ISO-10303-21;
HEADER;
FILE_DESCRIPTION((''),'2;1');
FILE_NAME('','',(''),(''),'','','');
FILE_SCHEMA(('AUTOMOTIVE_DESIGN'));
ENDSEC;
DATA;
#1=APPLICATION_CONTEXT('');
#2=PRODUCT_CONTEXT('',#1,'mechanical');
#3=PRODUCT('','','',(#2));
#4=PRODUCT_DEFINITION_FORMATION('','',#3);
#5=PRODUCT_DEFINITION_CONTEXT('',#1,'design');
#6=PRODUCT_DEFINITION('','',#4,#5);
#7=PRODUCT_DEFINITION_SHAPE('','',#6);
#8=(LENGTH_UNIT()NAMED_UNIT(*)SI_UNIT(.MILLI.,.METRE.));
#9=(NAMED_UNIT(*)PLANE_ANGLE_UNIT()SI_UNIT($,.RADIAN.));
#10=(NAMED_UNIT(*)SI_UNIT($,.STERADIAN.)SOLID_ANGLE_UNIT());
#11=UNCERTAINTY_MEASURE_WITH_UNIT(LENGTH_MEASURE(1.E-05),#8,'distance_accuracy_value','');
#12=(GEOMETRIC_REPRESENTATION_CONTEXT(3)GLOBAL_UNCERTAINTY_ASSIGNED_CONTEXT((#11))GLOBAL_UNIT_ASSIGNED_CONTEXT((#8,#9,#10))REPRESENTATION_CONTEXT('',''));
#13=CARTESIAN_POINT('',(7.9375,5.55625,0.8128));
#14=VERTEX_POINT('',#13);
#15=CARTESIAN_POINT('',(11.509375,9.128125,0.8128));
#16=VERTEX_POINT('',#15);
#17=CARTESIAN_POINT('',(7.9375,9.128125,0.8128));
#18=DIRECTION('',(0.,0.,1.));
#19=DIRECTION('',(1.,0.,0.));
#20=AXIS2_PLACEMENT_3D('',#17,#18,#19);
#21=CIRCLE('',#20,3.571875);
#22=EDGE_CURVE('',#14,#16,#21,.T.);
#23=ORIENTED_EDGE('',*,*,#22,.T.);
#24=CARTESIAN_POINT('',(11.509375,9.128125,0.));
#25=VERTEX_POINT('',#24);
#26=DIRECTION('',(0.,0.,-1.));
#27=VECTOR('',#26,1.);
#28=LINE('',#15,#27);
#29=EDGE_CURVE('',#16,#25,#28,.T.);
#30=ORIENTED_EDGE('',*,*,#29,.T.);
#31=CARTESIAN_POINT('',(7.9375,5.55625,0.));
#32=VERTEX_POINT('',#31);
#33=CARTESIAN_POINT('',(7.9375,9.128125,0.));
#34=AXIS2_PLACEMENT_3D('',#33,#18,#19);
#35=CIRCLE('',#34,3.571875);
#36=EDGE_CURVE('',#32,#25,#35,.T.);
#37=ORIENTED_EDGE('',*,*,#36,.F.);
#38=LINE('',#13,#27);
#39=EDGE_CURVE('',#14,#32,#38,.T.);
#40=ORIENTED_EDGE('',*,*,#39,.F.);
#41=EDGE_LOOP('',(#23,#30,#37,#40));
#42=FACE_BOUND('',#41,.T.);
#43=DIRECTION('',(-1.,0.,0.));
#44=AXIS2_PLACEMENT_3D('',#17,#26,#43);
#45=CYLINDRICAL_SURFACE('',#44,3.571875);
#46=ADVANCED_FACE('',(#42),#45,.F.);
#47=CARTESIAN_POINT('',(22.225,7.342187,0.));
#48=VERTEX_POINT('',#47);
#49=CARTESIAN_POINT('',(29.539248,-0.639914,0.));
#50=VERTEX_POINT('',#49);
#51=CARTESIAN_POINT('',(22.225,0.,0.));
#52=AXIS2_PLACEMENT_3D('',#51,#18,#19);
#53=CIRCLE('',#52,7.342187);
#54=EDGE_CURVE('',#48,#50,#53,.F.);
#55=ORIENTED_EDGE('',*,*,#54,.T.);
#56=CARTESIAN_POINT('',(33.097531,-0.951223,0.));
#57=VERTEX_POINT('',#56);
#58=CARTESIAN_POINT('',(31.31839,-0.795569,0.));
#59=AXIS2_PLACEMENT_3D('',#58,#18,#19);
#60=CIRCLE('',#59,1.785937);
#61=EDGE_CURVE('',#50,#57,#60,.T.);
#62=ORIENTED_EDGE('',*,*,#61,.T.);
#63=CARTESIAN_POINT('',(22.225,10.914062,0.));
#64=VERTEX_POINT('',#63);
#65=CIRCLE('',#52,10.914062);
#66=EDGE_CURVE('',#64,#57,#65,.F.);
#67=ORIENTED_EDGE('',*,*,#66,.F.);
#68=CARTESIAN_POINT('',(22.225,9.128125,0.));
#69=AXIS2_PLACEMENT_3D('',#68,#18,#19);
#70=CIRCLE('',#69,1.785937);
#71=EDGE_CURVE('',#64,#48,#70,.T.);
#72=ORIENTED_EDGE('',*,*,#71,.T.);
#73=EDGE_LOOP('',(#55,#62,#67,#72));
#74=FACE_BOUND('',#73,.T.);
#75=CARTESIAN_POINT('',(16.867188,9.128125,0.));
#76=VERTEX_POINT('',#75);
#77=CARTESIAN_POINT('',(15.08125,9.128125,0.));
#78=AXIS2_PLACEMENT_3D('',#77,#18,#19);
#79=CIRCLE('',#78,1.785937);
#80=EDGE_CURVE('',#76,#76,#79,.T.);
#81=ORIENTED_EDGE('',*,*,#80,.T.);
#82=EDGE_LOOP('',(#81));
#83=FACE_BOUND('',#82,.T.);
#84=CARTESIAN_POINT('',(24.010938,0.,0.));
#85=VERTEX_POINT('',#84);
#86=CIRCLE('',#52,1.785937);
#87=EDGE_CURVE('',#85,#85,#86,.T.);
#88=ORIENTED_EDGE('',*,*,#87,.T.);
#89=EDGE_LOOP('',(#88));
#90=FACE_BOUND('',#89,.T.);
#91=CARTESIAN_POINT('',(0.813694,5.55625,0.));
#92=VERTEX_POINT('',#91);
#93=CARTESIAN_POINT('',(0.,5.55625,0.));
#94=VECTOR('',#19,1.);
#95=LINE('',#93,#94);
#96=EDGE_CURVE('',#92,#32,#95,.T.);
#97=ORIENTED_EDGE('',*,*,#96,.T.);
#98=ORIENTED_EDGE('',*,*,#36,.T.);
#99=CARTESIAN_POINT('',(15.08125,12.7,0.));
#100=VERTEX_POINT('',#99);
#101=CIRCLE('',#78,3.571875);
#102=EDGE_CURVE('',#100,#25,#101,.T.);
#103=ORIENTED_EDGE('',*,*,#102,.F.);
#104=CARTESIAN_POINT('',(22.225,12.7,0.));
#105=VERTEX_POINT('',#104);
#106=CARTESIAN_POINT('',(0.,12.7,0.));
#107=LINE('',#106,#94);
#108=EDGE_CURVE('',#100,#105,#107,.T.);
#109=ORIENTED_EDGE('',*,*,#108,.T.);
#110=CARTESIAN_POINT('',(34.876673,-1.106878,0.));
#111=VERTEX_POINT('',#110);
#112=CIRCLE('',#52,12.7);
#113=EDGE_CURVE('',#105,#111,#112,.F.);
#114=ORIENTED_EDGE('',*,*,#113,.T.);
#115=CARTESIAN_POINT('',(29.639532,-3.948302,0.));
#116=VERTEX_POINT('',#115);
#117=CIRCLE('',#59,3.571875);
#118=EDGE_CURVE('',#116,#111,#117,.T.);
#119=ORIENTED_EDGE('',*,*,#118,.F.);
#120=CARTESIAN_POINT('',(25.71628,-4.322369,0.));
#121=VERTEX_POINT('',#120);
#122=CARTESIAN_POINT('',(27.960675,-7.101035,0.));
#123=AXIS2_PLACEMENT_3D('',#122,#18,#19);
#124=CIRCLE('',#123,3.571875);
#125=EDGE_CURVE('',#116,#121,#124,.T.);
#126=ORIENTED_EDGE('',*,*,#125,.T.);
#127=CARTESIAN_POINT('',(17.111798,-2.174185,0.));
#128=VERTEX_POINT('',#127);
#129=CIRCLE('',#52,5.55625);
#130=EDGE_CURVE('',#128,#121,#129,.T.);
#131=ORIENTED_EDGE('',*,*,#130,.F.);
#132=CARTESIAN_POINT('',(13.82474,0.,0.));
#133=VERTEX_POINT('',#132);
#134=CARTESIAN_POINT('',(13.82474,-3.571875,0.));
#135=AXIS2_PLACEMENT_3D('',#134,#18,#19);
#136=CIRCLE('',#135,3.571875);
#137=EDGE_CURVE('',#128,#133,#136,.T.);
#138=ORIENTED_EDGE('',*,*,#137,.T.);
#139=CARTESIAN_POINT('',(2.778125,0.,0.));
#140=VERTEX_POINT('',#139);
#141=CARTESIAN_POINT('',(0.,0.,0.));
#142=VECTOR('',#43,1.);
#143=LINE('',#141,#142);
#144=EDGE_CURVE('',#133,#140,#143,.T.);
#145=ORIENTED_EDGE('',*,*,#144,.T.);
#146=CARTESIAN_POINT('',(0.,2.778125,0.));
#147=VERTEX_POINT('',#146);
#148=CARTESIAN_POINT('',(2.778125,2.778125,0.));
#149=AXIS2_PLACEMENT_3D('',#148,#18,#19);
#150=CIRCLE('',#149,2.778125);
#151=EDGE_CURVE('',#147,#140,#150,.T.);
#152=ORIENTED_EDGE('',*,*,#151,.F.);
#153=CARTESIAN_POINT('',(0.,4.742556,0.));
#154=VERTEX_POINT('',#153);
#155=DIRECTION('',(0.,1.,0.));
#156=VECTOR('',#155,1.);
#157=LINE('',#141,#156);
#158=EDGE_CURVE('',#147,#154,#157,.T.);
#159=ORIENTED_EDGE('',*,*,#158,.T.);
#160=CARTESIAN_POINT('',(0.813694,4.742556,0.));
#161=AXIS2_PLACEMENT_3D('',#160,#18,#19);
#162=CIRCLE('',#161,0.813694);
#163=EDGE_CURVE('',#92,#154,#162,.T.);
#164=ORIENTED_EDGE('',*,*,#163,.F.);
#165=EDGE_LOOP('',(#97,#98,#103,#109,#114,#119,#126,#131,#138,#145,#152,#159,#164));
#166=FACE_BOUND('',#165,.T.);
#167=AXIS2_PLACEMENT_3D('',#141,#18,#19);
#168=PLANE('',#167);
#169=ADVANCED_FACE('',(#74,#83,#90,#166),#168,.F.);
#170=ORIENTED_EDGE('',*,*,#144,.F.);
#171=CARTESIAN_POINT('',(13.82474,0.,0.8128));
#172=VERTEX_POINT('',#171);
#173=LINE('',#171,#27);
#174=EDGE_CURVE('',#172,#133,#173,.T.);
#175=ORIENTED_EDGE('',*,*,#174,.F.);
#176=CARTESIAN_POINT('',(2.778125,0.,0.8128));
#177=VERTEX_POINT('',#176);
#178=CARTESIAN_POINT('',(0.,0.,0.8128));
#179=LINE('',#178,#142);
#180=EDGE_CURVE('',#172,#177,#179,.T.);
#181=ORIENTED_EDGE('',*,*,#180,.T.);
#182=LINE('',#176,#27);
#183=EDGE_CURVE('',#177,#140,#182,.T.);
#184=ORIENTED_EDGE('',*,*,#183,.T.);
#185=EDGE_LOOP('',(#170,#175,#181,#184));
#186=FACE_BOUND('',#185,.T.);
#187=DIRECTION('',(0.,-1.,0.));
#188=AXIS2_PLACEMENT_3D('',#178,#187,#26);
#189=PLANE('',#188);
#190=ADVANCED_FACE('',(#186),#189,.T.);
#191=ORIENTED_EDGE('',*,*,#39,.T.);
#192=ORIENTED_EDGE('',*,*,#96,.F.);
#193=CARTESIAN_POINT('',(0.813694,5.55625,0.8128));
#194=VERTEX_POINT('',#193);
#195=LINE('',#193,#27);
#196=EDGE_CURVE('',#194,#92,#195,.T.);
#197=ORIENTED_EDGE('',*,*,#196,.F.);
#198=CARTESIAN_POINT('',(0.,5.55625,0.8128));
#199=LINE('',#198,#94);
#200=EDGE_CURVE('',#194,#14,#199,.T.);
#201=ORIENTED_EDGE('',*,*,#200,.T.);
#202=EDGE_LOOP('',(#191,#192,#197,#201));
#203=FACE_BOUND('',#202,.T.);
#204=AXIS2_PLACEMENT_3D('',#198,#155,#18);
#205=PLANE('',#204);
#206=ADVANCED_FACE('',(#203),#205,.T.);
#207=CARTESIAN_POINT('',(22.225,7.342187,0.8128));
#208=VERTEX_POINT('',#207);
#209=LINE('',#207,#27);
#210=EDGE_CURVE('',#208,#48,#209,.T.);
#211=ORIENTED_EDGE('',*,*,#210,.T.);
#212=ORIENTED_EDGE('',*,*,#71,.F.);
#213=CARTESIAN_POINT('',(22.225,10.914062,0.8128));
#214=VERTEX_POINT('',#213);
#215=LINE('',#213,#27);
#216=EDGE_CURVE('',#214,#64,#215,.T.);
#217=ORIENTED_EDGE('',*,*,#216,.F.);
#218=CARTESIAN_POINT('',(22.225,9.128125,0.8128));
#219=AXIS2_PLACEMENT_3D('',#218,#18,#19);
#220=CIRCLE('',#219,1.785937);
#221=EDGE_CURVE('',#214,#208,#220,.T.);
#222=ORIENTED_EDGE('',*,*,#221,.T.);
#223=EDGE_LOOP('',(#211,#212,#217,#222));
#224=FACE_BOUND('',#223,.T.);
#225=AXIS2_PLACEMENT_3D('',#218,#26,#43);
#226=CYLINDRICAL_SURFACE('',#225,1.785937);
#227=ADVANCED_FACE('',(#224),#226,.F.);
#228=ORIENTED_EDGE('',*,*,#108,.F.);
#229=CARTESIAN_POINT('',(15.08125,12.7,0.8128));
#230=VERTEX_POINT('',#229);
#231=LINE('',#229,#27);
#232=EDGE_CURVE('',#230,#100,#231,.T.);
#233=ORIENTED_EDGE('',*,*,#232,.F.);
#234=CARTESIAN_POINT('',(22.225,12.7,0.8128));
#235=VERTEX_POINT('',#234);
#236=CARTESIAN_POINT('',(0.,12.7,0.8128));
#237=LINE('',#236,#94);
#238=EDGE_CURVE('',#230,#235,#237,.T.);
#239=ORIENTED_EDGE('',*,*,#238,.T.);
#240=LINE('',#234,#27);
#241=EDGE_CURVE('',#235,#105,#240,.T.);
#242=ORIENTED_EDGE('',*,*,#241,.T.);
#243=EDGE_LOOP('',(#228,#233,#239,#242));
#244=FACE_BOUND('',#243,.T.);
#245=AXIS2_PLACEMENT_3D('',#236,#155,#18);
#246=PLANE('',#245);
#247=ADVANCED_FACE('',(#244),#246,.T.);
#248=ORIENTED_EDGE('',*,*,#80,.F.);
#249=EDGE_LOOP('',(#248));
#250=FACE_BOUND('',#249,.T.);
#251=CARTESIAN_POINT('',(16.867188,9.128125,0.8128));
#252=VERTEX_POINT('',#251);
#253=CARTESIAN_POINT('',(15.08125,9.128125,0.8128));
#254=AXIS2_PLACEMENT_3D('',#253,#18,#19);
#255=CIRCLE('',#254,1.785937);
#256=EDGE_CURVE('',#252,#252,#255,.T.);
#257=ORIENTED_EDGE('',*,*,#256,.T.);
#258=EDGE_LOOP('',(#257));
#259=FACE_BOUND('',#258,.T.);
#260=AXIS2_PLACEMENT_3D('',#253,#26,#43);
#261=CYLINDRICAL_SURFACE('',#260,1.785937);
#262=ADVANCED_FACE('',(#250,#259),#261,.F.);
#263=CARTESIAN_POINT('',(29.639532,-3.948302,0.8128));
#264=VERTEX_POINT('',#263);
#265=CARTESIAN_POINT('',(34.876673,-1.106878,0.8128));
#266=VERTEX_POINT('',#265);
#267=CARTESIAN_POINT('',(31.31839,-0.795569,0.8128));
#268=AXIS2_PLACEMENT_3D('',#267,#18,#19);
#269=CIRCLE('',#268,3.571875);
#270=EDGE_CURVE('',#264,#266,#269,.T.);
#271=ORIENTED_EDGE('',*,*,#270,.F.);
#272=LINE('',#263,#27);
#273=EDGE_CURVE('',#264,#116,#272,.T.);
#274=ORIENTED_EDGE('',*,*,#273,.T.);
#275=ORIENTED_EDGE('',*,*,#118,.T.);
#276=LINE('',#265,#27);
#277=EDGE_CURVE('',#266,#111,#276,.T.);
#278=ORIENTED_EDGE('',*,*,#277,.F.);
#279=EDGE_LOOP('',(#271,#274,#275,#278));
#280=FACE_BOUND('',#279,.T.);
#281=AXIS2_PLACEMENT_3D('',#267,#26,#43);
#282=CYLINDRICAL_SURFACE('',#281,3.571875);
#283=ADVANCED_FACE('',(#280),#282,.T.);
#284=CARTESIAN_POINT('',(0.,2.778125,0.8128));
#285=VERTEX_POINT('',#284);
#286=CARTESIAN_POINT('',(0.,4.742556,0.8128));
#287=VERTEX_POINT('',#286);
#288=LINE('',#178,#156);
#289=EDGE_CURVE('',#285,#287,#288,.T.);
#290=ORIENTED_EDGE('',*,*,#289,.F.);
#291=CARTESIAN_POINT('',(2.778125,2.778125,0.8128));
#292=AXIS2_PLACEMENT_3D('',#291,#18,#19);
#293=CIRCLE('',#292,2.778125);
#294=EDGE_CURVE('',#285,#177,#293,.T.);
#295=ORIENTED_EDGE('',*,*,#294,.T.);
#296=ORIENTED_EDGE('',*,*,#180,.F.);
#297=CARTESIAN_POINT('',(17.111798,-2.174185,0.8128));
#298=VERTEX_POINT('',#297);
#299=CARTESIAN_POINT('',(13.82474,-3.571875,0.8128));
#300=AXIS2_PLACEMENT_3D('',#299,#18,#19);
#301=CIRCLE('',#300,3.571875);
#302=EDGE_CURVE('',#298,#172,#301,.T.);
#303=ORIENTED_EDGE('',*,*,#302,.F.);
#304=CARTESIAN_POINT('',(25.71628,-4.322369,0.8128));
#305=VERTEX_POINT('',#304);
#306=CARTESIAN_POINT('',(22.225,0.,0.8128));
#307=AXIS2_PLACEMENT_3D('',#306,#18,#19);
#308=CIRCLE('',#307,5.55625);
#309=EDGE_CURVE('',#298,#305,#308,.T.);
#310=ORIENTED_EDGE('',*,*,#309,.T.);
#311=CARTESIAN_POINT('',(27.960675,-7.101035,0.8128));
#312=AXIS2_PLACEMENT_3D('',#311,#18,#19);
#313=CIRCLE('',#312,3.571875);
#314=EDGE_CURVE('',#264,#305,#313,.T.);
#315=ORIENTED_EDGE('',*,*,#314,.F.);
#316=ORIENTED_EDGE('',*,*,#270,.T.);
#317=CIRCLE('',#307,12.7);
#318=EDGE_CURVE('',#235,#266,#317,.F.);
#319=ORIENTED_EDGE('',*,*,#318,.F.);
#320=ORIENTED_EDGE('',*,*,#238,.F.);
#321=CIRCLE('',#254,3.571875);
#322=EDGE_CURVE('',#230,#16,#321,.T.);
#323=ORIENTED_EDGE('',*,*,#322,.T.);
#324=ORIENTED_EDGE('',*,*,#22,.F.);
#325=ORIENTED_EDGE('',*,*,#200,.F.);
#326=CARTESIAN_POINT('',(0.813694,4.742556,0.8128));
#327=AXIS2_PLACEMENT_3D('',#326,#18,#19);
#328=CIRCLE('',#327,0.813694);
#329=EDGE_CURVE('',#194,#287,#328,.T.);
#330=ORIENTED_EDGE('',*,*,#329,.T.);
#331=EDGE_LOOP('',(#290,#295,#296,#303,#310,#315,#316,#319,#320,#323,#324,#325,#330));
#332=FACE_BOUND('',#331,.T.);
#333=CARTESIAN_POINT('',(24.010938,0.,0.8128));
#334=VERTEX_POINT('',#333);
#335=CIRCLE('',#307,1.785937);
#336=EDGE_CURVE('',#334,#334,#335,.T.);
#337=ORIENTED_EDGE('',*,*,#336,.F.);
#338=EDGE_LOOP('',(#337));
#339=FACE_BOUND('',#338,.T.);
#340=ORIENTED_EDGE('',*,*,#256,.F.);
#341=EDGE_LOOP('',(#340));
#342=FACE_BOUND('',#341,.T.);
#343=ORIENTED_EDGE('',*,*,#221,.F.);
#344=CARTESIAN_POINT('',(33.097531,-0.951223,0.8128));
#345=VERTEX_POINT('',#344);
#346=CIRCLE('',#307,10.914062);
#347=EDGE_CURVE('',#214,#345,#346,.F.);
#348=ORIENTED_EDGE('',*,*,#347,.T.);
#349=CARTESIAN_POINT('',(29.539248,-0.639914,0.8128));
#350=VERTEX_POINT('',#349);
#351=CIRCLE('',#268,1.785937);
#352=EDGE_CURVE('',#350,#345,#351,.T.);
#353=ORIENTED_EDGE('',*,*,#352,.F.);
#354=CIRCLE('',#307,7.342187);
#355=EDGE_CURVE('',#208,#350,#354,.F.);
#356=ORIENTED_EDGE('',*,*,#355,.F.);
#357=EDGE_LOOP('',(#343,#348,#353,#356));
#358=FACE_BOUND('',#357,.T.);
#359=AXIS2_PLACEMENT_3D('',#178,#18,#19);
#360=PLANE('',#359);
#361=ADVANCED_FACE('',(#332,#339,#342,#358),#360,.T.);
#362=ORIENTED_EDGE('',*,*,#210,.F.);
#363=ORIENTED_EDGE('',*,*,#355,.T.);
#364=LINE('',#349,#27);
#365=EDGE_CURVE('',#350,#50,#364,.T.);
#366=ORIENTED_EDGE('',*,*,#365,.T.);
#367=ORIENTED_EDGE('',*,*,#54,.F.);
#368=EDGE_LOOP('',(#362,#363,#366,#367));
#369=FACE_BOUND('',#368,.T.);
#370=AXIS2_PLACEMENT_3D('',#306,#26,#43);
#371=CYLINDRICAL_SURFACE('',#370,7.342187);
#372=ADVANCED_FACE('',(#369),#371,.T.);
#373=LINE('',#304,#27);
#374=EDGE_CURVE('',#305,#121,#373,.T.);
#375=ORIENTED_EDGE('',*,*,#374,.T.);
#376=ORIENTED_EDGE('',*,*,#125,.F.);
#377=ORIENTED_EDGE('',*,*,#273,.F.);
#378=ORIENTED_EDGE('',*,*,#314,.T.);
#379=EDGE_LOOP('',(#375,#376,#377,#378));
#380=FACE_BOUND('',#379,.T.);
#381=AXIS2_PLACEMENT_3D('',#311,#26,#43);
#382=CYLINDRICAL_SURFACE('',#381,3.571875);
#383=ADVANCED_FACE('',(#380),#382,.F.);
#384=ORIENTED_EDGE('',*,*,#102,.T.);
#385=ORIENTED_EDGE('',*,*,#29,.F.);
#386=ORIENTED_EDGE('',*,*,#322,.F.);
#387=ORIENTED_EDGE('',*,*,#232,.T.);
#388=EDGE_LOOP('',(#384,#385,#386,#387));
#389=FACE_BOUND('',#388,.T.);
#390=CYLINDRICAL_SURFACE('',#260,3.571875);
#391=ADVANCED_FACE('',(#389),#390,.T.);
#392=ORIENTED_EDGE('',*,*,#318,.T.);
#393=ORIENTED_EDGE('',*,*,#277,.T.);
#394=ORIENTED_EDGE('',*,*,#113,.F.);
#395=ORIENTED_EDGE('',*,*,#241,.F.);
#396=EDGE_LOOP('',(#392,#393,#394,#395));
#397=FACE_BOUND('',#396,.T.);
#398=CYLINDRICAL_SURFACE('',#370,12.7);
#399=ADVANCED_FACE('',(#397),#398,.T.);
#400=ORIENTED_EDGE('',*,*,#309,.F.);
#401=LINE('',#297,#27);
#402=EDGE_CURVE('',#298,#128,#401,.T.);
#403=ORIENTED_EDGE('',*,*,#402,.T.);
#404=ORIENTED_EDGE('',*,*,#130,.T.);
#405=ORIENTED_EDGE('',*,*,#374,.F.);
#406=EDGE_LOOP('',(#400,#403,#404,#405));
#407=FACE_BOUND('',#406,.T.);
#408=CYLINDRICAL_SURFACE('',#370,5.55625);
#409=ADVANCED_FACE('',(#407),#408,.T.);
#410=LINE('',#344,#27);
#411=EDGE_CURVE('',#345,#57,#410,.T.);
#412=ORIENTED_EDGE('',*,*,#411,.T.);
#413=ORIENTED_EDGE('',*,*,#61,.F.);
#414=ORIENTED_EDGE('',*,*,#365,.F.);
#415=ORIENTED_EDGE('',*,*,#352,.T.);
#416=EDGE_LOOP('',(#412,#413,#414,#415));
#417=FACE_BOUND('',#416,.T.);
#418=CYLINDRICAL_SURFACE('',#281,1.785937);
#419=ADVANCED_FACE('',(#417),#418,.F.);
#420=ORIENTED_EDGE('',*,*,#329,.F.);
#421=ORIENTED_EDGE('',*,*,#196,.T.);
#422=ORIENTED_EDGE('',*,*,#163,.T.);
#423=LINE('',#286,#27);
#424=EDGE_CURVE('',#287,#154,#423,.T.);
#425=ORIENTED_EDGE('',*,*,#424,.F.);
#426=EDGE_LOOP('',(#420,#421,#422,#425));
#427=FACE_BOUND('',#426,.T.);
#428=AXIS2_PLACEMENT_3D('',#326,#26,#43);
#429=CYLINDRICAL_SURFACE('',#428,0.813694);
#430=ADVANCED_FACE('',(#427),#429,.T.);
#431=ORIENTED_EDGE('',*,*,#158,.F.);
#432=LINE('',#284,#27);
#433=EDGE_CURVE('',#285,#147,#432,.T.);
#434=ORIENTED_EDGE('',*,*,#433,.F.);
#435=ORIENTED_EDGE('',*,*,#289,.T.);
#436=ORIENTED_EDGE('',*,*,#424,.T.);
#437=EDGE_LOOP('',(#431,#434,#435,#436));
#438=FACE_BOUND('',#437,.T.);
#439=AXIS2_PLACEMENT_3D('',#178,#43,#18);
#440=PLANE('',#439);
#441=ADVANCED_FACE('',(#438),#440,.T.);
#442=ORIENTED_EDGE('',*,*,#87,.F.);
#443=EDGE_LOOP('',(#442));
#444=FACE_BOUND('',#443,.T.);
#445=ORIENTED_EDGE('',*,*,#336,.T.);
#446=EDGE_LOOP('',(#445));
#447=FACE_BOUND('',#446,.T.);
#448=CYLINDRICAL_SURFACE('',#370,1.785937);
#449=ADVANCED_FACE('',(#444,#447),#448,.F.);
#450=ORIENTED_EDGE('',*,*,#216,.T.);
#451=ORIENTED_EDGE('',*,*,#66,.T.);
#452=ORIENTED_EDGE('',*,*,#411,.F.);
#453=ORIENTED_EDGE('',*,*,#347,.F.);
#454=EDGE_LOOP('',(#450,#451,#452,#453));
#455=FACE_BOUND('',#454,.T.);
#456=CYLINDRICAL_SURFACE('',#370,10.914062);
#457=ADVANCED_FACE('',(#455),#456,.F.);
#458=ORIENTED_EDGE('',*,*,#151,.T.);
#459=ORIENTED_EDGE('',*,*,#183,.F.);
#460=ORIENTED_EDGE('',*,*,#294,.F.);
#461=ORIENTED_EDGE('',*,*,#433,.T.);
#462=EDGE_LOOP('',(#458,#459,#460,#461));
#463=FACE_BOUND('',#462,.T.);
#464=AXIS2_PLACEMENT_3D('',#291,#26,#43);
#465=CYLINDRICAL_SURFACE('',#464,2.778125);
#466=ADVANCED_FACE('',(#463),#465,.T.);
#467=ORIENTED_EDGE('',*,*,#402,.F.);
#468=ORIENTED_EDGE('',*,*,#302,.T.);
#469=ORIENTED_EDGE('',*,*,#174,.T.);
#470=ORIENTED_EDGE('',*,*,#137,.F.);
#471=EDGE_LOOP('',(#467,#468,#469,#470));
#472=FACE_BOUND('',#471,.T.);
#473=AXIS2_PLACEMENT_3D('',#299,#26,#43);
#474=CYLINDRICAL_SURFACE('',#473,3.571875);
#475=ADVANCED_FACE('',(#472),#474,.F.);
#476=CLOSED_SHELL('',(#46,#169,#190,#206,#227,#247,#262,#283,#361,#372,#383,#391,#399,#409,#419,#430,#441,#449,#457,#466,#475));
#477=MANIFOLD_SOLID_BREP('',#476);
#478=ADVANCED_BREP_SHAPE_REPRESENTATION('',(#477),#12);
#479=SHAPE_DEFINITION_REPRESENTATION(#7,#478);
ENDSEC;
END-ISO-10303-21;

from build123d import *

# Parameters (mm, degrees)
SKETCH1_R           = 1.7859375
BOSS_EXTRUDE1_DEPTH = 0.8128


with BuildPart() as part:
    # Sketch1 → Boss-Extrude1 (new body)
    with BuildSketch(Plane.XY):
        with BuildLine():
            Line((2.778125, 0), (13.824739587, 0))
            ThreePointArc((13.824739587, 0), (15.795261881, -0.592725305), (17.111798004, -2.174184768))
            ThreePointArc((17.111798004, -2.174184768), (20.879142703, -5.390786788), (25.716280165, -4.322369358))
            ThreePointArc((25.716280165, -4.322369358), (27.621647146, -3.545286331), (29.639532121, -3.948301955))
            ThreePointArc((29.639532121, -3.948301955), (33.02176359, -3.935123977), (34.876672666, -1.106877933))
            ThreePointArc((34.876672666, -1.106877933), (31.588422177, 8.579995637), (22.225, 12.7))
            Line((22.225, 12.7), (15.08125, 12.7))
            ThreePointArc((15.08125, 12.7), (12.555552966, 11.653822034), (11.509375, 9.128125))
            ThreePointArc((11.509375, 9.128125), (10.463197034, 6.602427966), (7.9375, 5.55625))
            Line((7.9375, 5.55625), (0.813693974, 5.55625))
            ThreePointArc((0.813693974, 5.55625), (0.238325447, 5.317924553), (0, 4.742556026))
            Line((0, 4.742556026), (0, 2.778125))
            ThreePointArc((0, 2.778125), (0.813693974, 0.813693974), (2.778125, 0))
        make_face()
        with BuildLine():
            ThreePointArc((33.097531197, -0.951223224), (31.162735019, -2.574709983), (29.53924826, -0.639913805))
            ThreePointArc((29.53924826, -0.639913805), (27.638228446, 4.960309977), (22.225, 7.3421875))
            ThreePointArc((22.225, 7.3421875), (20.4390625, 9.128125), (22.225, 10.9140625))
            ThreePointArc((22.225, 10.9140625), (30.271690934, 7.37343375), (33.097531197, -0.951223224))
        make_face(mode=Mode.SUBTRACT)
        with Locations((22.225, 0)):
            Circle(SKETCH1_R, mode=Mode.SUBTRACT)
        with Locations((15.08125, 9.128125)):
            Circle(SKETCH1_R, mode=Mode.SUBTRACT)
    extrude(amount=BOSS_EXTRUDE1_DEPTH)


solid = part.part
